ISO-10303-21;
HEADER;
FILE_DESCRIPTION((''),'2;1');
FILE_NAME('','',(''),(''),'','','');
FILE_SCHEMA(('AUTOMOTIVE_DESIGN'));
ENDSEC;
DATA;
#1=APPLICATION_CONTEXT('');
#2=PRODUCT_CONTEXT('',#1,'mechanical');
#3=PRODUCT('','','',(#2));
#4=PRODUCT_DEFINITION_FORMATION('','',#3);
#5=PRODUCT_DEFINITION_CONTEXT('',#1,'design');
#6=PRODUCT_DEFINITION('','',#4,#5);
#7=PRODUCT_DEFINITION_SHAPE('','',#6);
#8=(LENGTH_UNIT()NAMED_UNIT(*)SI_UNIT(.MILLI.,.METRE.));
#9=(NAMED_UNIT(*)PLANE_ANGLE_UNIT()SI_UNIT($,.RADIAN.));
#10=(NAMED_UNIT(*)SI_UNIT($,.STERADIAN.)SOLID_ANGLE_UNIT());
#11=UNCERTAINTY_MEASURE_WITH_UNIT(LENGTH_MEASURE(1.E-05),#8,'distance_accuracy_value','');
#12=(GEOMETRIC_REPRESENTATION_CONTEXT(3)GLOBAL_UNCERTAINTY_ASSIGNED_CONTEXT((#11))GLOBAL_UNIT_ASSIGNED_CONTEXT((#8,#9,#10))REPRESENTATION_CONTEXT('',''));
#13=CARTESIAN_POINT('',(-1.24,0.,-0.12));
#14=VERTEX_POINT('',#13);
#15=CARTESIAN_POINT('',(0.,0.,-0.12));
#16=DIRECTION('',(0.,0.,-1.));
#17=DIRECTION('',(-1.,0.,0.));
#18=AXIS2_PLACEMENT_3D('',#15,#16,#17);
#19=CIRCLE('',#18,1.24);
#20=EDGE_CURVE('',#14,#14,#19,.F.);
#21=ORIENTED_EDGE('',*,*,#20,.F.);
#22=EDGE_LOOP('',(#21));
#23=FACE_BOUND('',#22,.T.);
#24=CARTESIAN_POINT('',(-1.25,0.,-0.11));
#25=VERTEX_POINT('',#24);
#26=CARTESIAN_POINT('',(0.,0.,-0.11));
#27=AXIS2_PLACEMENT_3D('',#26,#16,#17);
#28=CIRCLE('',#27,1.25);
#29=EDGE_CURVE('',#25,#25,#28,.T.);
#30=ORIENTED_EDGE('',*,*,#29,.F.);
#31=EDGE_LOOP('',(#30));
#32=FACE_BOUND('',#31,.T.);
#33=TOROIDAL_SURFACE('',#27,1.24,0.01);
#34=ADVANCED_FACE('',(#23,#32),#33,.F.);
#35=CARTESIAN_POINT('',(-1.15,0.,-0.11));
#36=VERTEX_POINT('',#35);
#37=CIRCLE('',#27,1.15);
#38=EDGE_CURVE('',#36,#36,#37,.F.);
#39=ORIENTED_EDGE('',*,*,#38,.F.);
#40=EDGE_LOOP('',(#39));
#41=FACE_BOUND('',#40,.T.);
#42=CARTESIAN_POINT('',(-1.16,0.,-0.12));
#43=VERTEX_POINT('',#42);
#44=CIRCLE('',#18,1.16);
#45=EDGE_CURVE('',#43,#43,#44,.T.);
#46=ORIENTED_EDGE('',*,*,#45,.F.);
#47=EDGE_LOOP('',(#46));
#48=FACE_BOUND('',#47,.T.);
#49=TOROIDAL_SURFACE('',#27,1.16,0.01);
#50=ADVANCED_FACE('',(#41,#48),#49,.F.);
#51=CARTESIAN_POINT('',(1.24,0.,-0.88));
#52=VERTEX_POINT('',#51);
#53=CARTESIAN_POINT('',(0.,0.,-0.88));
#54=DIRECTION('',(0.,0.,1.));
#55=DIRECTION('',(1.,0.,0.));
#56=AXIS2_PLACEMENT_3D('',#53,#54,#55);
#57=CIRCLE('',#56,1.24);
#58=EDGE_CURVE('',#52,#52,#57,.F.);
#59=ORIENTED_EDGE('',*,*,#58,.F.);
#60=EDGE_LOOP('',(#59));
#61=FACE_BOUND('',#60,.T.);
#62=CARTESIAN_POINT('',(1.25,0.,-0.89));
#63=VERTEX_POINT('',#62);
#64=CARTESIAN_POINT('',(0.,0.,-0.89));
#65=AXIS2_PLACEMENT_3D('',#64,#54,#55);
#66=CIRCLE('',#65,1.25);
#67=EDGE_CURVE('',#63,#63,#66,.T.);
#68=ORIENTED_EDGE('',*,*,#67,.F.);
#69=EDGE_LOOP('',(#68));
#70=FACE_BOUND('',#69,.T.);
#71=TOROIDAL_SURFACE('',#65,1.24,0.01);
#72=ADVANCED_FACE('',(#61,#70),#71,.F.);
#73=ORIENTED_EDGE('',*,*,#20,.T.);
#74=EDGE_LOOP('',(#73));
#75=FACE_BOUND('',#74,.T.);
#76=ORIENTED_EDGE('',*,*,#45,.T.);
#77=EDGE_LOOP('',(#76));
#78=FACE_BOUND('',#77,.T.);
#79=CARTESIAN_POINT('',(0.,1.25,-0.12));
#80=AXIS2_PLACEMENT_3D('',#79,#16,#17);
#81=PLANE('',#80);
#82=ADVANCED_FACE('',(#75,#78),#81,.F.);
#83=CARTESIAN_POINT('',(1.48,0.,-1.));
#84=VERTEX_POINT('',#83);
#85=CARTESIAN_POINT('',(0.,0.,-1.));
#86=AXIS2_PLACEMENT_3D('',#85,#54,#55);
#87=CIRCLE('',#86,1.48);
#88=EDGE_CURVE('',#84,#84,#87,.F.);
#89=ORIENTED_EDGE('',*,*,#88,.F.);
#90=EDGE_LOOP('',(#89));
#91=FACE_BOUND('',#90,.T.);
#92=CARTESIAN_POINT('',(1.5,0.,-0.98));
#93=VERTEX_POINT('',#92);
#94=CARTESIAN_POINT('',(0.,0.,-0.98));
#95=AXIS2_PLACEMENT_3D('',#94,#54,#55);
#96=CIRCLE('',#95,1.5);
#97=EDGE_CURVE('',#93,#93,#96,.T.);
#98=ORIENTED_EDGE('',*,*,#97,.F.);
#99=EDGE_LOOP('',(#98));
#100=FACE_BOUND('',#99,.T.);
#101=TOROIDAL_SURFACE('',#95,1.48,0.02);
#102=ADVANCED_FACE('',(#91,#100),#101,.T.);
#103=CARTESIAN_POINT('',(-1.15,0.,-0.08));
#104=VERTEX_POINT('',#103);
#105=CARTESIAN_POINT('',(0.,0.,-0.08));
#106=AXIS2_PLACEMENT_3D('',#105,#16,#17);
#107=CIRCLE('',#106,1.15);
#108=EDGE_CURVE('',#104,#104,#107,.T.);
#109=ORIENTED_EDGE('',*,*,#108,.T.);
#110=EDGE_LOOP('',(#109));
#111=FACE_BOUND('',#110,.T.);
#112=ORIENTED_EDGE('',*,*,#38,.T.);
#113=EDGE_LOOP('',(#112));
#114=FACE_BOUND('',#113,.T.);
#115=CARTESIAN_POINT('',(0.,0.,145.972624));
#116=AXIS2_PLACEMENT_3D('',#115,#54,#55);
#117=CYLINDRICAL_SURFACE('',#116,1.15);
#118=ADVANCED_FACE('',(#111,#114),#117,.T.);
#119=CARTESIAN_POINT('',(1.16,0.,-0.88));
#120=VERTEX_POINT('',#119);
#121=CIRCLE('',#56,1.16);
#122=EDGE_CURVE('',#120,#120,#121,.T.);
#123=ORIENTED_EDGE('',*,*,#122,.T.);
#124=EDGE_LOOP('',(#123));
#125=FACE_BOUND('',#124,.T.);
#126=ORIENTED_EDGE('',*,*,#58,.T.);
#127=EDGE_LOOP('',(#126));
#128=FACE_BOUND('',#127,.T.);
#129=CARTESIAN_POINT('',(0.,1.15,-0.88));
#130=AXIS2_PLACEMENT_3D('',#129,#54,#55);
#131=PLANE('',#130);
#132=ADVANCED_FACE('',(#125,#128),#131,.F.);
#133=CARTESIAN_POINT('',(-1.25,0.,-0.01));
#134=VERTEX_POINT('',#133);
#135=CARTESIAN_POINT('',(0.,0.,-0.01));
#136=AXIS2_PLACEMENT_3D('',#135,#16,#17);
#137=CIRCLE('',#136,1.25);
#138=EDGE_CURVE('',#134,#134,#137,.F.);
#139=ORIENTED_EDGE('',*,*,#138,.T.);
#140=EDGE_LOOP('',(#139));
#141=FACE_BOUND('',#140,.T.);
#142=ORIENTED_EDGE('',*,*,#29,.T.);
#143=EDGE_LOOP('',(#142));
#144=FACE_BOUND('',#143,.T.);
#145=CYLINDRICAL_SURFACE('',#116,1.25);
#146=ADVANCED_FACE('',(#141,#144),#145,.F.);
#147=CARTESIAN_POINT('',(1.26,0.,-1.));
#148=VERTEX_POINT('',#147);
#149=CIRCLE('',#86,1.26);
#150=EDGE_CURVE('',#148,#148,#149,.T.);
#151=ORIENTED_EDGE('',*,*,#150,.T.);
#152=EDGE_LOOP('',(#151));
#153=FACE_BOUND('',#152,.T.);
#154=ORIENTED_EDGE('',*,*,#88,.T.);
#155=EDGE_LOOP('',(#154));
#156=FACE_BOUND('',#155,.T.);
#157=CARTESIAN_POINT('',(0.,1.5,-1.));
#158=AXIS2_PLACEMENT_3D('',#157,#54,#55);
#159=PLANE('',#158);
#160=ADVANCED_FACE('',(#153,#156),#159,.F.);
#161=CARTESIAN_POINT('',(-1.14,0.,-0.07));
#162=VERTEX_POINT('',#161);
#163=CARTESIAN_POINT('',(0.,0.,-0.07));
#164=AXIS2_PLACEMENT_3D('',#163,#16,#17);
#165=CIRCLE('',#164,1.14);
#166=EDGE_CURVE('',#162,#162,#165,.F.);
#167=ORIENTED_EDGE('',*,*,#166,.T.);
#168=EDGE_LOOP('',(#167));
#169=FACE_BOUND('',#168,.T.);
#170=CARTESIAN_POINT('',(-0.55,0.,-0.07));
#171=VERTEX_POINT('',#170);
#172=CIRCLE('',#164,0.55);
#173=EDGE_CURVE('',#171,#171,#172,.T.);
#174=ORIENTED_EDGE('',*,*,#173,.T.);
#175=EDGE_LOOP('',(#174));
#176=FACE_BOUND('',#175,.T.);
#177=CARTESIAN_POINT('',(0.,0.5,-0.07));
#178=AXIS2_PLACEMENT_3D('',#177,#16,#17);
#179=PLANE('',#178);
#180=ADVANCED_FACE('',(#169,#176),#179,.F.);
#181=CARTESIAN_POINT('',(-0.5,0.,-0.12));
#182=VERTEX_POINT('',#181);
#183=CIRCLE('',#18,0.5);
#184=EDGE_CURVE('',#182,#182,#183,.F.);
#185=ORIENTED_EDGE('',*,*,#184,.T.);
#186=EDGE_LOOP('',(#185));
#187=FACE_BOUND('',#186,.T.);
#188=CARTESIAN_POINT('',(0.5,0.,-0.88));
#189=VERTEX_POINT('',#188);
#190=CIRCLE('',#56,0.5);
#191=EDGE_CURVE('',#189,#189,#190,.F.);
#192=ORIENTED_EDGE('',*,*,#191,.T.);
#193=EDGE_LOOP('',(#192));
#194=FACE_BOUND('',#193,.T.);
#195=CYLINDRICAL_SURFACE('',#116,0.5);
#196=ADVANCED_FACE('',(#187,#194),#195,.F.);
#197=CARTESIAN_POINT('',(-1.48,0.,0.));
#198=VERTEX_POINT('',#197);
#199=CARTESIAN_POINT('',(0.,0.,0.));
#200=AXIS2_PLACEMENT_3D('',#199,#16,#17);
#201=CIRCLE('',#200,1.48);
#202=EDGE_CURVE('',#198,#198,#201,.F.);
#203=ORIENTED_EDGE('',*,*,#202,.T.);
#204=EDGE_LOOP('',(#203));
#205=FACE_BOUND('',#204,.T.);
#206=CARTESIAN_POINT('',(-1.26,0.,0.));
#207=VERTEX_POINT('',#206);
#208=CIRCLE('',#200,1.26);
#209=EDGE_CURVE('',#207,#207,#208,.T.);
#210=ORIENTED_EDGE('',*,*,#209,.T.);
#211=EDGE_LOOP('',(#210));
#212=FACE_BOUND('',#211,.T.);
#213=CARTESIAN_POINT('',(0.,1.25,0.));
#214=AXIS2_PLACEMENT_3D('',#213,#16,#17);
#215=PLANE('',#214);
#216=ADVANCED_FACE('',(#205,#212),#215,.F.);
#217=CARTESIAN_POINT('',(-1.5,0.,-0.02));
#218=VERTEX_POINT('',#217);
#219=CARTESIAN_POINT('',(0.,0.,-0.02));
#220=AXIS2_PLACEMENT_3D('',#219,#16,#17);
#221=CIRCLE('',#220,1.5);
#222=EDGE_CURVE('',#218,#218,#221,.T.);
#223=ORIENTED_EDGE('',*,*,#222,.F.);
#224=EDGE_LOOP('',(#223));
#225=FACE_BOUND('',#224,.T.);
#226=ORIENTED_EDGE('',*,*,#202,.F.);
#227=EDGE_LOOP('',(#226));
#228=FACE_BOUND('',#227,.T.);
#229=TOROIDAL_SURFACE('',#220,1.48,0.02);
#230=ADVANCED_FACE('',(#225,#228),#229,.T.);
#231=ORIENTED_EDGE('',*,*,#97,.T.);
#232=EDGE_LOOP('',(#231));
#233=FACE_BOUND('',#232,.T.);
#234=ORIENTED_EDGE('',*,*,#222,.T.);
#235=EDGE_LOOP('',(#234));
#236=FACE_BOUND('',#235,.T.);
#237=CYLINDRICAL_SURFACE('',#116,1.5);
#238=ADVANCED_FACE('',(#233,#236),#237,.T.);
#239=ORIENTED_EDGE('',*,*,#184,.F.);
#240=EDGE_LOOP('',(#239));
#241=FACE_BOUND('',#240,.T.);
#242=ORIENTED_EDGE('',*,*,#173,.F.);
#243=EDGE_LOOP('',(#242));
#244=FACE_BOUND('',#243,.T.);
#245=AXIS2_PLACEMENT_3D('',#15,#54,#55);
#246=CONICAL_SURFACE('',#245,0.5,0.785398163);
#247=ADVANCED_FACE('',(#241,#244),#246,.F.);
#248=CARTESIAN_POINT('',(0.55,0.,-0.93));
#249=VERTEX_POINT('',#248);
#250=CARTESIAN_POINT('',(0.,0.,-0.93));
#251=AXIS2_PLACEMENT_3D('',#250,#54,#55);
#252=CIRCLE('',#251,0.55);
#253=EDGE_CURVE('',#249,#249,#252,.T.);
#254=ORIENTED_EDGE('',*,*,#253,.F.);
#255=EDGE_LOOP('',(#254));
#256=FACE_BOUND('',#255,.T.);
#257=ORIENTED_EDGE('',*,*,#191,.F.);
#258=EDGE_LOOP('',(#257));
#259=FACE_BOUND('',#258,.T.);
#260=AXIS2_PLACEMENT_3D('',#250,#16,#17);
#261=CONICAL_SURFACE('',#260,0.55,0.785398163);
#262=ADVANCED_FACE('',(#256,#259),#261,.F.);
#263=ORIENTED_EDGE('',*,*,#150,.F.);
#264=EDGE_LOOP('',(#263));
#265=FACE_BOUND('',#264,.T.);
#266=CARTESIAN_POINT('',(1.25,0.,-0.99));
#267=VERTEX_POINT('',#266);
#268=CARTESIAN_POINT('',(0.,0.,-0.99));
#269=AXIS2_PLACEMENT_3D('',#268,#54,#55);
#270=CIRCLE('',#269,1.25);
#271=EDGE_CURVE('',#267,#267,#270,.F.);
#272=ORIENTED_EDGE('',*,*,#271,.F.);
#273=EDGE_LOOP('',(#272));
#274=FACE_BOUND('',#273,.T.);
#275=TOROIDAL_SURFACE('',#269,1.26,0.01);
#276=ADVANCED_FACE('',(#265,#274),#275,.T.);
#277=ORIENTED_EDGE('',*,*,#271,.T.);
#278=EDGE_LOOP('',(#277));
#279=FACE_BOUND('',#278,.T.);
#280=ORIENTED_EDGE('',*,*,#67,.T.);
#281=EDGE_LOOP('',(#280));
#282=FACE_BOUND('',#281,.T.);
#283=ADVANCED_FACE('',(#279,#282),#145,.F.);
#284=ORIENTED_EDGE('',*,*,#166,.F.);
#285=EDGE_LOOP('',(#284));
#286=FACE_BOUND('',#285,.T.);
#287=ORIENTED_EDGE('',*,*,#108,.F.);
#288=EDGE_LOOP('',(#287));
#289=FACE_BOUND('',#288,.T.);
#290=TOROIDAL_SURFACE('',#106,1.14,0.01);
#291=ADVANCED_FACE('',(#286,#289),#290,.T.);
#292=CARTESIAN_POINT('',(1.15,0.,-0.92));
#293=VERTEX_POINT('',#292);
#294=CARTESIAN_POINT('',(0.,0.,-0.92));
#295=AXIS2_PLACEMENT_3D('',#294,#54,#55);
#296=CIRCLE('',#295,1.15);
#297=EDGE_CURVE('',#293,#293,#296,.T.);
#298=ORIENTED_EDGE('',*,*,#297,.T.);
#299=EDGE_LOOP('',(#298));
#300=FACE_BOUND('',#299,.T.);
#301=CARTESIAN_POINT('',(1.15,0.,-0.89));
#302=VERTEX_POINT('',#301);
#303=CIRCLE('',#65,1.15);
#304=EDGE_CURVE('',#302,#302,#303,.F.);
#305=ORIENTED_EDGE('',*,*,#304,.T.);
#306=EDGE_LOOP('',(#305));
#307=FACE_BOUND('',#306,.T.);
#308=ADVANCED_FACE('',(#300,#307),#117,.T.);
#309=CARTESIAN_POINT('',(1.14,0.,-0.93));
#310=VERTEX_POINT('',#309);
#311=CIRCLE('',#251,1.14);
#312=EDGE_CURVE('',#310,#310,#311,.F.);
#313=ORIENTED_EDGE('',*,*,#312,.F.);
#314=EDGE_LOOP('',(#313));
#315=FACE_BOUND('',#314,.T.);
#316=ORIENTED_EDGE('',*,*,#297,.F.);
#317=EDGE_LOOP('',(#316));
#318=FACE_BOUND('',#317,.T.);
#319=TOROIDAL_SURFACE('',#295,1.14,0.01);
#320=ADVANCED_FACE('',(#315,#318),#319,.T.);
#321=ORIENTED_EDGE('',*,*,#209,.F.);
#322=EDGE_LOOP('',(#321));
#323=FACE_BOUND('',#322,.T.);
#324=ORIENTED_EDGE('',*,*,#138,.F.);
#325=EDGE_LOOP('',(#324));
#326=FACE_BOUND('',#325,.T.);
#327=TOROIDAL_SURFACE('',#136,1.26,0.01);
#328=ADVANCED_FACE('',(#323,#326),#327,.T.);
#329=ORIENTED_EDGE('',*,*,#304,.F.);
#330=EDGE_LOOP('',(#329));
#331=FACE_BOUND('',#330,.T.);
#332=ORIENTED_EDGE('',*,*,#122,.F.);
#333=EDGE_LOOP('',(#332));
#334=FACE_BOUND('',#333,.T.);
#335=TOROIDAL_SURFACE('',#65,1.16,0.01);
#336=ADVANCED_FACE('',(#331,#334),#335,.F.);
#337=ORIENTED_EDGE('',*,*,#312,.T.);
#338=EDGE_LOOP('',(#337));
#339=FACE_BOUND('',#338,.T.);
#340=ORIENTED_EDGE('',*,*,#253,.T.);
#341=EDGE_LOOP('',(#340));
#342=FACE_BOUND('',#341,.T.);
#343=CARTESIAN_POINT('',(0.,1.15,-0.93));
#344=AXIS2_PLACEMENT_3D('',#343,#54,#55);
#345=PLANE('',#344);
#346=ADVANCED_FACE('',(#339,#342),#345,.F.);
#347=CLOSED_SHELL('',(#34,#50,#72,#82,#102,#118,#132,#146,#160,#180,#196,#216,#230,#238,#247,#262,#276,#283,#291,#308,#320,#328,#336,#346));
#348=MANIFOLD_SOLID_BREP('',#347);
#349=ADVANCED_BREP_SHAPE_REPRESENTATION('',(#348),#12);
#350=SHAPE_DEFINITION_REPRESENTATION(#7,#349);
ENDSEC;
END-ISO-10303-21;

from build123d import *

# Parameters (mm, degrees)
FILLET1_R     = 0.01
CHAMFER1_SIZE = 0.05
FILLET2_R     = 0.02


with BuildPart() as part:
    # Sketch1 → Revolve1 (revolve)
    with BuildSketch(Plane(origin=(0, 0, 0), x_dir=(0, 0, -1), z_dir=(1, 0, 0)), mode=Mode.PRIVATE) as revolve1_sk:
        Polygon((0.07, 0.5), (0.07, 1.15), (0.12, 1.15), (0.12, 1.25), (0, 1.25), (0, 1.5), (1, 1.5), (1, 1.25), (0.88, 1.25), (0.88, 1.15), (0.93, 1.15), (0.93, 0.5), align=None)
    revolve(revolve1_sk.sketch.rotate(Axis((0, 0, 145.972624196), (0, 0, -1)), 90), axis=Axis((0, 0, 145.972624196), (0, 0, -1)))

    # Fillet1
    fillet1_edges = [part.edges().sort_by_distance(p)[0] for p in [
        (-1.25, 0, -1),
        (-1.25, 0, 0),
        (-1.25, 0, -0.12),
        (-1.15, 0, -0.12),
        (-1.15, 0, -0.07),
        (-1.15, 0, -0.93),
        (-1.15, 0, -0.88),
        (-1.25, 0, -0.88),
    ]]
    fillet(fillet1_edges, radius=FILLET1_R)

    # Chamfer1
    chamfer1_edges = [part.edges().sort_by_distance(p)[0] for p in [
        (-0.5, 0, -0.07),
        (-0.5, 0, -0.93),
    ]]
    chamfer(chamfer1_edges, length=CHAMFER1_SIZE)

    # Fillet2
    fillet2_edges = [part.edges().sort_by_distance(p)[0] for p in [
        (-1.5, 0, -1),
        (-1.5, 0, 0),
    ]]
    fillet(fillet2_edges, radius=FILLET2_R)


solid = part.part
